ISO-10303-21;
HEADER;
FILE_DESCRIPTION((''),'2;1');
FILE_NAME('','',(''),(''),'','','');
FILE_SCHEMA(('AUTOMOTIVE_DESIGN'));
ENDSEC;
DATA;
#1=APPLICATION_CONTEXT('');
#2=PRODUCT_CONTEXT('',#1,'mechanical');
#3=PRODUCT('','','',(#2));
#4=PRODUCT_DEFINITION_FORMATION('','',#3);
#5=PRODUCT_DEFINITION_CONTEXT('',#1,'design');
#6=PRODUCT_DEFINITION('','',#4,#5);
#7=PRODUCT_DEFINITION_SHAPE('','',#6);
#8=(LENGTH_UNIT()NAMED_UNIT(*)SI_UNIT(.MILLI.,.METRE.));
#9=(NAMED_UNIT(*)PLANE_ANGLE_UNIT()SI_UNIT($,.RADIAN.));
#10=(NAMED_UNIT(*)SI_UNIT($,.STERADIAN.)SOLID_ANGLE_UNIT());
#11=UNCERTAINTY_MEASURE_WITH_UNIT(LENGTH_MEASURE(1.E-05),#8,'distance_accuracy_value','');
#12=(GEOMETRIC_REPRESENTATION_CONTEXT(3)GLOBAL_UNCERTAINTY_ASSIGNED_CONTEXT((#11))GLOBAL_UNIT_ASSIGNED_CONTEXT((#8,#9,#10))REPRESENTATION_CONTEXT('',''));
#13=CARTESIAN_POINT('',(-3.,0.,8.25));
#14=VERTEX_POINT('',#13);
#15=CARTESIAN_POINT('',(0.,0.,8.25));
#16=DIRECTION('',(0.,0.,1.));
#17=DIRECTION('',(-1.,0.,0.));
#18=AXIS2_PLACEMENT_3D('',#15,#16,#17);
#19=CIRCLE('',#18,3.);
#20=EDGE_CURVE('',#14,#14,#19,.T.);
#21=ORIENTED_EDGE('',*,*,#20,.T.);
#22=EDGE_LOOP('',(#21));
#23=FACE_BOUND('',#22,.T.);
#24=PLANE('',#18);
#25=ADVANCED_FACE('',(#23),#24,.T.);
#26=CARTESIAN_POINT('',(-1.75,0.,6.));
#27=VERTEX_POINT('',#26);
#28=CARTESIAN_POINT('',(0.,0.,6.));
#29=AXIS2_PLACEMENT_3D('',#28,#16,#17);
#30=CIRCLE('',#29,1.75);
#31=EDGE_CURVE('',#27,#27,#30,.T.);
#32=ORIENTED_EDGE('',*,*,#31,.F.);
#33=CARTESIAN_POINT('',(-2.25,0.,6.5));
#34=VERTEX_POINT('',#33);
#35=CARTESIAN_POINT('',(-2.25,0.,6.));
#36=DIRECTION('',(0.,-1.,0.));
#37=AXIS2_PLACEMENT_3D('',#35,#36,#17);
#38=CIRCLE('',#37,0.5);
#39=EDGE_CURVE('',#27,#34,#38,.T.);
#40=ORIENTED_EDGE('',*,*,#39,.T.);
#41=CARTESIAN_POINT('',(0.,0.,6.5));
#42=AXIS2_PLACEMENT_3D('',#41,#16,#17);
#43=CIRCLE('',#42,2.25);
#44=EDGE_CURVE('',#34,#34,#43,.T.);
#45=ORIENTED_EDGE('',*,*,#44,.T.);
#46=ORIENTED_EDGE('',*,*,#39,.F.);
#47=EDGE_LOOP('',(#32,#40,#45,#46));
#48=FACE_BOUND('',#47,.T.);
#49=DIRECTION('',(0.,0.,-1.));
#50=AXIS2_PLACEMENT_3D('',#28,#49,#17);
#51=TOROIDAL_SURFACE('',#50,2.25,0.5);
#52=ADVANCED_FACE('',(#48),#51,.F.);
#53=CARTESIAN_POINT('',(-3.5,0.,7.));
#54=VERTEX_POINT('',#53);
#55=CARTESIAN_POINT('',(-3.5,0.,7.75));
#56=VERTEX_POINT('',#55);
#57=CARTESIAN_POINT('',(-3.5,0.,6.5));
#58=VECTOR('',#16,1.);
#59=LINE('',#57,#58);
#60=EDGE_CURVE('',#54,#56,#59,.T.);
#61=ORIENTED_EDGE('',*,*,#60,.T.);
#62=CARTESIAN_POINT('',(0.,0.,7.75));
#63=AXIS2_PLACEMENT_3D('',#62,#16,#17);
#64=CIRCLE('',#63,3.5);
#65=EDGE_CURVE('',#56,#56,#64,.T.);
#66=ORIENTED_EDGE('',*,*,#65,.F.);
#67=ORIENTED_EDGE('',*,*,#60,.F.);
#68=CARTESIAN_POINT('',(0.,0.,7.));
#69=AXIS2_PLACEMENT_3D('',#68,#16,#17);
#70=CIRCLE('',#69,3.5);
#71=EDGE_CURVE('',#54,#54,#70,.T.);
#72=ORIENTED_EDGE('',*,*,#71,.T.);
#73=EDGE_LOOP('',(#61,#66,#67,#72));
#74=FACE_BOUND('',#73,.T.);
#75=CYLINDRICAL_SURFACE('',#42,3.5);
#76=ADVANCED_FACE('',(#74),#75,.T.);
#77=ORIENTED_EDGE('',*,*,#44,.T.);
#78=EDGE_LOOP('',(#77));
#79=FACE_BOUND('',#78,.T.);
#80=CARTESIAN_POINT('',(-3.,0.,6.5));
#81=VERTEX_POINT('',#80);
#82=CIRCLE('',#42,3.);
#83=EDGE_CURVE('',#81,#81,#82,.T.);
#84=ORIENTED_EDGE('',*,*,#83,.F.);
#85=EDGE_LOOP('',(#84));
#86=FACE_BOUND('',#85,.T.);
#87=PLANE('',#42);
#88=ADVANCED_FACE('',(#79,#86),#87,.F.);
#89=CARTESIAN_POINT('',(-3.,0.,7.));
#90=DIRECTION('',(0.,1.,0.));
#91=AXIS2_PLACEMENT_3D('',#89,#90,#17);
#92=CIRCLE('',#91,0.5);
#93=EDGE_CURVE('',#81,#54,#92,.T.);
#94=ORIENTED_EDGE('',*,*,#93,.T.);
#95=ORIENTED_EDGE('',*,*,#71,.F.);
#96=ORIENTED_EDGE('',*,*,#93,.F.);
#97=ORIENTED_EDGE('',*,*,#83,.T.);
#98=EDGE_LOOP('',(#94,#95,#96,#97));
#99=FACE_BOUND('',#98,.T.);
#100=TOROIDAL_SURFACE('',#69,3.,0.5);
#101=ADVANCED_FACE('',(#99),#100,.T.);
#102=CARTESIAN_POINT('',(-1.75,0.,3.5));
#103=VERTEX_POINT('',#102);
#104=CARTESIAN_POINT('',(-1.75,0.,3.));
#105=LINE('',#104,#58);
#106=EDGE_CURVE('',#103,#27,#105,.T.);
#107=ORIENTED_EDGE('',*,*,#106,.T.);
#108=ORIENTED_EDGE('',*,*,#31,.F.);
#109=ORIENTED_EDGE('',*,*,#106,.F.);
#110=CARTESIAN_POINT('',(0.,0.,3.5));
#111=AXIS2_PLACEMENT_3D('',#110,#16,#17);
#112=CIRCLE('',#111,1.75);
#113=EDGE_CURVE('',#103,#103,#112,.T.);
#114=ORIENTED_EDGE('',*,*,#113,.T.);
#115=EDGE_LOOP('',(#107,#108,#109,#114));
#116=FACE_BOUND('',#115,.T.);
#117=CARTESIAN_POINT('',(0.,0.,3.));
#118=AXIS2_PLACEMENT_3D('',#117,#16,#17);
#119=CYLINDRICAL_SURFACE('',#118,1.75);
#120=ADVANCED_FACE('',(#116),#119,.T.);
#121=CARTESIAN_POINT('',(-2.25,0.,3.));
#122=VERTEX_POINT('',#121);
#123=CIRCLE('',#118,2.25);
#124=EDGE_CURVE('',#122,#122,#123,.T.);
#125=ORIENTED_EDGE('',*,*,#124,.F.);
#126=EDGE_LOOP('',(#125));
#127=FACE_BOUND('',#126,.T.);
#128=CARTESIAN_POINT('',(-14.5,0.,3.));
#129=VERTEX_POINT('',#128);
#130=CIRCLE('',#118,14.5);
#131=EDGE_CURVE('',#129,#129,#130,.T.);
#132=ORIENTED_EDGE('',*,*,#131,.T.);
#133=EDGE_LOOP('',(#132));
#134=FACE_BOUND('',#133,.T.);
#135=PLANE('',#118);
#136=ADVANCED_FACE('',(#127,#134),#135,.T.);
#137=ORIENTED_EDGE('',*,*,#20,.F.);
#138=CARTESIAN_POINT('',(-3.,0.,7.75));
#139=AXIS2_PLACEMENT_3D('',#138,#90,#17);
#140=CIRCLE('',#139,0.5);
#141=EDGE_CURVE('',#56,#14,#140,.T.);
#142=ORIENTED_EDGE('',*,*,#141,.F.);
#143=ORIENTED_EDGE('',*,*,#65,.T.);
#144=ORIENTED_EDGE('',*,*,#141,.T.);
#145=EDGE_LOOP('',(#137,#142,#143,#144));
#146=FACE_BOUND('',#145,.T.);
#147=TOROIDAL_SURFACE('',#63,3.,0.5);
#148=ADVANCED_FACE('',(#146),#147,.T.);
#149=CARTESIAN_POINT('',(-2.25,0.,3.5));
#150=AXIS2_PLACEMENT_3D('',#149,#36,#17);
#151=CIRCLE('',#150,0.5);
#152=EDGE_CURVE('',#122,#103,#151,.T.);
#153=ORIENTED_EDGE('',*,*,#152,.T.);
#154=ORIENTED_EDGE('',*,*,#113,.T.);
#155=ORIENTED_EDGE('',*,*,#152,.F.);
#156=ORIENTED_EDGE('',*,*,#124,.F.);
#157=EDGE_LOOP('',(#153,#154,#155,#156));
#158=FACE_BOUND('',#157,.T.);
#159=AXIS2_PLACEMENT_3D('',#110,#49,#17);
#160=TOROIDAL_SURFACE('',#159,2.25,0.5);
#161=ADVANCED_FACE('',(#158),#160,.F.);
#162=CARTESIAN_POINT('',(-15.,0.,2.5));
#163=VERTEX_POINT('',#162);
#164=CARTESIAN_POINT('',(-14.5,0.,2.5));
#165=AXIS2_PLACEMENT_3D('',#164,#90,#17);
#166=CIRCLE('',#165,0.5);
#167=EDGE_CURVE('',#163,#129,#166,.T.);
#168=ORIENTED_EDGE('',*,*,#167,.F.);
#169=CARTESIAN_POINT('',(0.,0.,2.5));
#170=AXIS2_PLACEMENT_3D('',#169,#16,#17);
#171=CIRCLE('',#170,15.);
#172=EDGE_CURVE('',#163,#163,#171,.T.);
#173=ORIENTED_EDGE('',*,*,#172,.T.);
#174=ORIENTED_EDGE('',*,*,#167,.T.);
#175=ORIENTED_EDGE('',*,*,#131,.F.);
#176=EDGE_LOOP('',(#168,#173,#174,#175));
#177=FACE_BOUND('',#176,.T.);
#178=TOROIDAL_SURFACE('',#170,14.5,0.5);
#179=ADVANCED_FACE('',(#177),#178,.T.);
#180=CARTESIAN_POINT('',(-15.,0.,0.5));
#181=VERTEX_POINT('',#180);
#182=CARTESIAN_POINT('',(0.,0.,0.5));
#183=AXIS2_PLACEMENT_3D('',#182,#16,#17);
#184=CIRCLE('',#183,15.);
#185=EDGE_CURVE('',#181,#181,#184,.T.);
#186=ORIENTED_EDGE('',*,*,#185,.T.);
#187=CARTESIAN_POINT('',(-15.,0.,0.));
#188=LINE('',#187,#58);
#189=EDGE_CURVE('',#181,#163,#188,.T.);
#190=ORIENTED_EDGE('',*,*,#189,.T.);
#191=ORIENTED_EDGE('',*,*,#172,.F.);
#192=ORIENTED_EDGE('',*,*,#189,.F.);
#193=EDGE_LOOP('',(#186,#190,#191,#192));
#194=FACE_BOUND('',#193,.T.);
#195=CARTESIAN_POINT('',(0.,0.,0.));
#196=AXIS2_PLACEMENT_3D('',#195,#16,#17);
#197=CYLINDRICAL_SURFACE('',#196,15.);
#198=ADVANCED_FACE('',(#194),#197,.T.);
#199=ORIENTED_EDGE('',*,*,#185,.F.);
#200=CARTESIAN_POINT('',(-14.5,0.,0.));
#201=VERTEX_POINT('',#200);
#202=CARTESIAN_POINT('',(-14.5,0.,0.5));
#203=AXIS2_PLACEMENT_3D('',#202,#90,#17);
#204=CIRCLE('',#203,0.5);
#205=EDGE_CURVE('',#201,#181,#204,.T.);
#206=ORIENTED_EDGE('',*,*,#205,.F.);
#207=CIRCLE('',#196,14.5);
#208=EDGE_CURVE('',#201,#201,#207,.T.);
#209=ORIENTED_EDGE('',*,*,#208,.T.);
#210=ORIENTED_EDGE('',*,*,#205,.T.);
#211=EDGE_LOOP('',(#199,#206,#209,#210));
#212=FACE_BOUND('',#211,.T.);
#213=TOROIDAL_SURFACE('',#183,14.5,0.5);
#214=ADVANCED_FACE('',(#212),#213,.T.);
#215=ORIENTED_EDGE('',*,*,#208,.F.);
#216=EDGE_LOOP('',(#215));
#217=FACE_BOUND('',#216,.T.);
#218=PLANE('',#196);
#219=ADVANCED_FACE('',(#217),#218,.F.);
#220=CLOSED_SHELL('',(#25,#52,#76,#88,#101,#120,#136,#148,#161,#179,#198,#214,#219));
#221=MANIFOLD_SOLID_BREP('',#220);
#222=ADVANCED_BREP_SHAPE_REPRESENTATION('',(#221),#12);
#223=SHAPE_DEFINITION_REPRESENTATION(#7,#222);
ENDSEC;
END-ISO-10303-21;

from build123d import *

# Parameters (mm, degrees)
FILLET_R = 0.5


with BuildPart() as part:
    # Sketch → Revolution (revolve)
    with BuildSketch(Plane.XZ):
        Polygon((0, 0), (-15, 0), (-15, 3), (-1.75, 3), (-1.75, 6.5), (-3.5, 6.5), (-3.5, 8.25), (0, 8.25), align=None)
    revolve(axis=Axis((0, 0, 0), (0, 0, 1)))

    # Fillet
    fillet_edges = [part.edges().sort_by_distance(p)[0] for p in [
        (15, 0, 0),
        (15, 0, 3),
        (-15, 0, 1.5),
        (1.75, 0, 3),
        (1.75, 0, 6.5),
        (-1.75, 0, 4.75),
        (3.5, 0, 6.5),
        (3.5, 0, 8.25),
        (-3.5, 0, 7.375),
    ]]
    fillet(fillet_edges, radius=FILLET_R)


solid = part.part
